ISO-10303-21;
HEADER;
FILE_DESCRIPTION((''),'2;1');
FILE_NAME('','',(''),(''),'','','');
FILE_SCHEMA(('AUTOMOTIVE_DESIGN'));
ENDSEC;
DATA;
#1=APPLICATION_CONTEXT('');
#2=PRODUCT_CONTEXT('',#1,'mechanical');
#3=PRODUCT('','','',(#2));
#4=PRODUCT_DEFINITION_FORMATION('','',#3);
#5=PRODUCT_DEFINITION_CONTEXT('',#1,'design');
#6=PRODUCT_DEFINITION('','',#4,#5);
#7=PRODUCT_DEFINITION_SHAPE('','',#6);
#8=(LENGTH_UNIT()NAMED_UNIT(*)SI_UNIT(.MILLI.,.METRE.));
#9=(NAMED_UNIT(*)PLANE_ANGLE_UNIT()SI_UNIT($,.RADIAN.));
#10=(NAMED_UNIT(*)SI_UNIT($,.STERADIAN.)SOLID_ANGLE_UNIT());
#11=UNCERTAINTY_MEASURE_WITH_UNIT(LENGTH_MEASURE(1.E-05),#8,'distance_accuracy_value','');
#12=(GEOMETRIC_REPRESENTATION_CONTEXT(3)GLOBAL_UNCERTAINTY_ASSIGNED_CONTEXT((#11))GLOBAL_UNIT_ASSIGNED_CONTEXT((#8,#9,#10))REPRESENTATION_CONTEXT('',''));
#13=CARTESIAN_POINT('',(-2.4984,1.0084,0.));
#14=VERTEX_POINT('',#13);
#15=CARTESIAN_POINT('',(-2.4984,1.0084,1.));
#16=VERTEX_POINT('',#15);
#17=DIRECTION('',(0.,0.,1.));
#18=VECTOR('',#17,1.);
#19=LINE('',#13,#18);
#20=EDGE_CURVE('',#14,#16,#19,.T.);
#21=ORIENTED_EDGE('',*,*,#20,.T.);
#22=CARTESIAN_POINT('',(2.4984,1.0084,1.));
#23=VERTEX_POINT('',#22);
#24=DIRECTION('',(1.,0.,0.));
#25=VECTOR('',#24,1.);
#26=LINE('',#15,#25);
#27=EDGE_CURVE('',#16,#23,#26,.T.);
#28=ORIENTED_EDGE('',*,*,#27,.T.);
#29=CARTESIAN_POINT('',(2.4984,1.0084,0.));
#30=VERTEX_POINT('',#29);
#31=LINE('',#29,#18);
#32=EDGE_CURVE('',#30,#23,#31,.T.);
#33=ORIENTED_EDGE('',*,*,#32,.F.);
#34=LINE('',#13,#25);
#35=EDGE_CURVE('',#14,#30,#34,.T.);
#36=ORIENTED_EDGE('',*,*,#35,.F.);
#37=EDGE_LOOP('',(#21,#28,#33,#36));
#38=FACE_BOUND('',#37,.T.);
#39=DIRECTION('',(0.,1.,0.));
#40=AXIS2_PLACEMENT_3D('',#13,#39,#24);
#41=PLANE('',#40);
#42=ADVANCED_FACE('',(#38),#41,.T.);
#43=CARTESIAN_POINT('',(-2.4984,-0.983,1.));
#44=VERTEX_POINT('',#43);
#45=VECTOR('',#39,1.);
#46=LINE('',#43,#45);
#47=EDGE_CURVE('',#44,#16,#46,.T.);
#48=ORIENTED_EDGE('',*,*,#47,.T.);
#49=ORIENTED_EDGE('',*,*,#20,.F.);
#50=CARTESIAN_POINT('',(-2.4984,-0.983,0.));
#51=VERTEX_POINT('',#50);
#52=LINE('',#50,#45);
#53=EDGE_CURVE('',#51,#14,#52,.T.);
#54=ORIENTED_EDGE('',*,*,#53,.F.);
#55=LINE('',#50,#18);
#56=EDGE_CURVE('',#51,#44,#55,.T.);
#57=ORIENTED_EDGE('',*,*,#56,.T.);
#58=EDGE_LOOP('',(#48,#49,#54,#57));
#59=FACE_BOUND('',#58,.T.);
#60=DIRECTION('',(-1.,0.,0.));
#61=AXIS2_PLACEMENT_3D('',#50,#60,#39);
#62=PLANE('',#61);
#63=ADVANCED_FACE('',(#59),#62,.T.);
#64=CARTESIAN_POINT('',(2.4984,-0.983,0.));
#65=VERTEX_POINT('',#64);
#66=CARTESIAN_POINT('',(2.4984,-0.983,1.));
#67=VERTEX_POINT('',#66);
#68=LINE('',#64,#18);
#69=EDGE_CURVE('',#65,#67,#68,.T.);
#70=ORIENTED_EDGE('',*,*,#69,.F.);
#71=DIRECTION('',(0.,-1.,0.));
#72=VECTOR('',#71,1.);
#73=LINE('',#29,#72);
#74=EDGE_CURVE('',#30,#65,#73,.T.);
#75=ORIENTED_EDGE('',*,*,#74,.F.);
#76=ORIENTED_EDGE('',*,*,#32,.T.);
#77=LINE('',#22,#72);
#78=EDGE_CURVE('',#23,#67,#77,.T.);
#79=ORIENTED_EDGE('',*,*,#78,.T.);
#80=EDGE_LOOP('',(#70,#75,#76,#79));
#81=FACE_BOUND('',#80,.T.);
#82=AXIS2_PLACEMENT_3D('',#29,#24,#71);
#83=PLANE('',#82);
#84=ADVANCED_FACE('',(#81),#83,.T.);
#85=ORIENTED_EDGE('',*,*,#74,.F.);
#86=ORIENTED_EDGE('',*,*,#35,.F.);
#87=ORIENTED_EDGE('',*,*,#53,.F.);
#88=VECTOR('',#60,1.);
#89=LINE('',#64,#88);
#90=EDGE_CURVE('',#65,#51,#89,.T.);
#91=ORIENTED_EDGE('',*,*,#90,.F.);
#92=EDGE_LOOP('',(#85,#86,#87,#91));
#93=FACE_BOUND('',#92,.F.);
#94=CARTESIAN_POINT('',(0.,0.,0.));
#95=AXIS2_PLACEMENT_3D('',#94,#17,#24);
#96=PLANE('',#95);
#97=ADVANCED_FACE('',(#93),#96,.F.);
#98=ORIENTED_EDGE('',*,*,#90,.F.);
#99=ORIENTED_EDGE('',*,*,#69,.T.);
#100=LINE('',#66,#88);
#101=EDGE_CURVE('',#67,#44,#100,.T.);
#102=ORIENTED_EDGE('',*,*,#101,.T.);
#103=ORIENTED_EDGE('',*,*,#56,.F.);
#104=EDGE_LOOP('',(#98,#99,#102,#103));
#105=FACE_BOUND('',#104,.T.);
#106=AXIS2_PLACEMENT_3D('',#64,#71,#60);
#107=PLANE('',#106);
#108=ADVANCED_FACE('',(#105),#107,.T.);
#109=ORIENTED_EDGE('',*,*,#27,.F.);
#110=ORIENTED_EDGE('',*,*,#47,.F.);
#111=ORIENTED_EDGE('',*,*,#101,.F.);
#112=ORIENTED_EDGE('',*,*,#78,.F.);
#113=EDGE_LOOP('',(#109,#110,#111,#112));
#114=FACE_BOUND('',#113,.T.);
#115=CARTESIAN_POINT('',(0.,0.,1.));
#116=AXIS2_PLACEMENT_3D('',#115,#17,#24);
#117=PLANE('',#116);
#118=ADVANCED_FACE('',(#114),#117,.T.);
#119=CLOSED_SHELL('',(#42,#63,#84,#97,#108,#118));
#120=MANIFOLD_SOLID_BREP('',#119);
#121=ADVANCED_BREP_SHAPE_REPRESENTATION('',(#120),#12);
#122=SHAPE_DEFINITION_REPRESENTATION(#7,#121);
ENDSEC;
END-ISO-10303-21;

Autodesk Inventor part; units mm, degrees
ref_plane "YZ Plane" through (0, 0, 0) normal (1, 0, 0) x (0, 1, 0)
ref_plane "XZ Plane" through (0, 0, 0) normal (0, 1, 0) x (-1, 0, 0)
ref_plane "XY Plane" through (0, 0, 0) normal (0, 0, 1) x (1, 0, 0)
sketch "C1206, C1206_1" plane through (0, 0, 0) normal (0, 0, 1) x (1, 0, 0)
  line L0 (-2.4984, 1.0084) -> (2.4984, 1.0084)
  line L1 (2.4984, 1.0084) -> (2.4984, -0.983)
  line L2 (2.4984, -0.983) -> (-2.4984, -0.983)
  line L3 (-2.4984, -0.983) -> (-2.4984, 1.0084)
extrude "Extrusion1" add sketch "C1206, C1206_1" along normal blind 1
properties part number "C1206"
